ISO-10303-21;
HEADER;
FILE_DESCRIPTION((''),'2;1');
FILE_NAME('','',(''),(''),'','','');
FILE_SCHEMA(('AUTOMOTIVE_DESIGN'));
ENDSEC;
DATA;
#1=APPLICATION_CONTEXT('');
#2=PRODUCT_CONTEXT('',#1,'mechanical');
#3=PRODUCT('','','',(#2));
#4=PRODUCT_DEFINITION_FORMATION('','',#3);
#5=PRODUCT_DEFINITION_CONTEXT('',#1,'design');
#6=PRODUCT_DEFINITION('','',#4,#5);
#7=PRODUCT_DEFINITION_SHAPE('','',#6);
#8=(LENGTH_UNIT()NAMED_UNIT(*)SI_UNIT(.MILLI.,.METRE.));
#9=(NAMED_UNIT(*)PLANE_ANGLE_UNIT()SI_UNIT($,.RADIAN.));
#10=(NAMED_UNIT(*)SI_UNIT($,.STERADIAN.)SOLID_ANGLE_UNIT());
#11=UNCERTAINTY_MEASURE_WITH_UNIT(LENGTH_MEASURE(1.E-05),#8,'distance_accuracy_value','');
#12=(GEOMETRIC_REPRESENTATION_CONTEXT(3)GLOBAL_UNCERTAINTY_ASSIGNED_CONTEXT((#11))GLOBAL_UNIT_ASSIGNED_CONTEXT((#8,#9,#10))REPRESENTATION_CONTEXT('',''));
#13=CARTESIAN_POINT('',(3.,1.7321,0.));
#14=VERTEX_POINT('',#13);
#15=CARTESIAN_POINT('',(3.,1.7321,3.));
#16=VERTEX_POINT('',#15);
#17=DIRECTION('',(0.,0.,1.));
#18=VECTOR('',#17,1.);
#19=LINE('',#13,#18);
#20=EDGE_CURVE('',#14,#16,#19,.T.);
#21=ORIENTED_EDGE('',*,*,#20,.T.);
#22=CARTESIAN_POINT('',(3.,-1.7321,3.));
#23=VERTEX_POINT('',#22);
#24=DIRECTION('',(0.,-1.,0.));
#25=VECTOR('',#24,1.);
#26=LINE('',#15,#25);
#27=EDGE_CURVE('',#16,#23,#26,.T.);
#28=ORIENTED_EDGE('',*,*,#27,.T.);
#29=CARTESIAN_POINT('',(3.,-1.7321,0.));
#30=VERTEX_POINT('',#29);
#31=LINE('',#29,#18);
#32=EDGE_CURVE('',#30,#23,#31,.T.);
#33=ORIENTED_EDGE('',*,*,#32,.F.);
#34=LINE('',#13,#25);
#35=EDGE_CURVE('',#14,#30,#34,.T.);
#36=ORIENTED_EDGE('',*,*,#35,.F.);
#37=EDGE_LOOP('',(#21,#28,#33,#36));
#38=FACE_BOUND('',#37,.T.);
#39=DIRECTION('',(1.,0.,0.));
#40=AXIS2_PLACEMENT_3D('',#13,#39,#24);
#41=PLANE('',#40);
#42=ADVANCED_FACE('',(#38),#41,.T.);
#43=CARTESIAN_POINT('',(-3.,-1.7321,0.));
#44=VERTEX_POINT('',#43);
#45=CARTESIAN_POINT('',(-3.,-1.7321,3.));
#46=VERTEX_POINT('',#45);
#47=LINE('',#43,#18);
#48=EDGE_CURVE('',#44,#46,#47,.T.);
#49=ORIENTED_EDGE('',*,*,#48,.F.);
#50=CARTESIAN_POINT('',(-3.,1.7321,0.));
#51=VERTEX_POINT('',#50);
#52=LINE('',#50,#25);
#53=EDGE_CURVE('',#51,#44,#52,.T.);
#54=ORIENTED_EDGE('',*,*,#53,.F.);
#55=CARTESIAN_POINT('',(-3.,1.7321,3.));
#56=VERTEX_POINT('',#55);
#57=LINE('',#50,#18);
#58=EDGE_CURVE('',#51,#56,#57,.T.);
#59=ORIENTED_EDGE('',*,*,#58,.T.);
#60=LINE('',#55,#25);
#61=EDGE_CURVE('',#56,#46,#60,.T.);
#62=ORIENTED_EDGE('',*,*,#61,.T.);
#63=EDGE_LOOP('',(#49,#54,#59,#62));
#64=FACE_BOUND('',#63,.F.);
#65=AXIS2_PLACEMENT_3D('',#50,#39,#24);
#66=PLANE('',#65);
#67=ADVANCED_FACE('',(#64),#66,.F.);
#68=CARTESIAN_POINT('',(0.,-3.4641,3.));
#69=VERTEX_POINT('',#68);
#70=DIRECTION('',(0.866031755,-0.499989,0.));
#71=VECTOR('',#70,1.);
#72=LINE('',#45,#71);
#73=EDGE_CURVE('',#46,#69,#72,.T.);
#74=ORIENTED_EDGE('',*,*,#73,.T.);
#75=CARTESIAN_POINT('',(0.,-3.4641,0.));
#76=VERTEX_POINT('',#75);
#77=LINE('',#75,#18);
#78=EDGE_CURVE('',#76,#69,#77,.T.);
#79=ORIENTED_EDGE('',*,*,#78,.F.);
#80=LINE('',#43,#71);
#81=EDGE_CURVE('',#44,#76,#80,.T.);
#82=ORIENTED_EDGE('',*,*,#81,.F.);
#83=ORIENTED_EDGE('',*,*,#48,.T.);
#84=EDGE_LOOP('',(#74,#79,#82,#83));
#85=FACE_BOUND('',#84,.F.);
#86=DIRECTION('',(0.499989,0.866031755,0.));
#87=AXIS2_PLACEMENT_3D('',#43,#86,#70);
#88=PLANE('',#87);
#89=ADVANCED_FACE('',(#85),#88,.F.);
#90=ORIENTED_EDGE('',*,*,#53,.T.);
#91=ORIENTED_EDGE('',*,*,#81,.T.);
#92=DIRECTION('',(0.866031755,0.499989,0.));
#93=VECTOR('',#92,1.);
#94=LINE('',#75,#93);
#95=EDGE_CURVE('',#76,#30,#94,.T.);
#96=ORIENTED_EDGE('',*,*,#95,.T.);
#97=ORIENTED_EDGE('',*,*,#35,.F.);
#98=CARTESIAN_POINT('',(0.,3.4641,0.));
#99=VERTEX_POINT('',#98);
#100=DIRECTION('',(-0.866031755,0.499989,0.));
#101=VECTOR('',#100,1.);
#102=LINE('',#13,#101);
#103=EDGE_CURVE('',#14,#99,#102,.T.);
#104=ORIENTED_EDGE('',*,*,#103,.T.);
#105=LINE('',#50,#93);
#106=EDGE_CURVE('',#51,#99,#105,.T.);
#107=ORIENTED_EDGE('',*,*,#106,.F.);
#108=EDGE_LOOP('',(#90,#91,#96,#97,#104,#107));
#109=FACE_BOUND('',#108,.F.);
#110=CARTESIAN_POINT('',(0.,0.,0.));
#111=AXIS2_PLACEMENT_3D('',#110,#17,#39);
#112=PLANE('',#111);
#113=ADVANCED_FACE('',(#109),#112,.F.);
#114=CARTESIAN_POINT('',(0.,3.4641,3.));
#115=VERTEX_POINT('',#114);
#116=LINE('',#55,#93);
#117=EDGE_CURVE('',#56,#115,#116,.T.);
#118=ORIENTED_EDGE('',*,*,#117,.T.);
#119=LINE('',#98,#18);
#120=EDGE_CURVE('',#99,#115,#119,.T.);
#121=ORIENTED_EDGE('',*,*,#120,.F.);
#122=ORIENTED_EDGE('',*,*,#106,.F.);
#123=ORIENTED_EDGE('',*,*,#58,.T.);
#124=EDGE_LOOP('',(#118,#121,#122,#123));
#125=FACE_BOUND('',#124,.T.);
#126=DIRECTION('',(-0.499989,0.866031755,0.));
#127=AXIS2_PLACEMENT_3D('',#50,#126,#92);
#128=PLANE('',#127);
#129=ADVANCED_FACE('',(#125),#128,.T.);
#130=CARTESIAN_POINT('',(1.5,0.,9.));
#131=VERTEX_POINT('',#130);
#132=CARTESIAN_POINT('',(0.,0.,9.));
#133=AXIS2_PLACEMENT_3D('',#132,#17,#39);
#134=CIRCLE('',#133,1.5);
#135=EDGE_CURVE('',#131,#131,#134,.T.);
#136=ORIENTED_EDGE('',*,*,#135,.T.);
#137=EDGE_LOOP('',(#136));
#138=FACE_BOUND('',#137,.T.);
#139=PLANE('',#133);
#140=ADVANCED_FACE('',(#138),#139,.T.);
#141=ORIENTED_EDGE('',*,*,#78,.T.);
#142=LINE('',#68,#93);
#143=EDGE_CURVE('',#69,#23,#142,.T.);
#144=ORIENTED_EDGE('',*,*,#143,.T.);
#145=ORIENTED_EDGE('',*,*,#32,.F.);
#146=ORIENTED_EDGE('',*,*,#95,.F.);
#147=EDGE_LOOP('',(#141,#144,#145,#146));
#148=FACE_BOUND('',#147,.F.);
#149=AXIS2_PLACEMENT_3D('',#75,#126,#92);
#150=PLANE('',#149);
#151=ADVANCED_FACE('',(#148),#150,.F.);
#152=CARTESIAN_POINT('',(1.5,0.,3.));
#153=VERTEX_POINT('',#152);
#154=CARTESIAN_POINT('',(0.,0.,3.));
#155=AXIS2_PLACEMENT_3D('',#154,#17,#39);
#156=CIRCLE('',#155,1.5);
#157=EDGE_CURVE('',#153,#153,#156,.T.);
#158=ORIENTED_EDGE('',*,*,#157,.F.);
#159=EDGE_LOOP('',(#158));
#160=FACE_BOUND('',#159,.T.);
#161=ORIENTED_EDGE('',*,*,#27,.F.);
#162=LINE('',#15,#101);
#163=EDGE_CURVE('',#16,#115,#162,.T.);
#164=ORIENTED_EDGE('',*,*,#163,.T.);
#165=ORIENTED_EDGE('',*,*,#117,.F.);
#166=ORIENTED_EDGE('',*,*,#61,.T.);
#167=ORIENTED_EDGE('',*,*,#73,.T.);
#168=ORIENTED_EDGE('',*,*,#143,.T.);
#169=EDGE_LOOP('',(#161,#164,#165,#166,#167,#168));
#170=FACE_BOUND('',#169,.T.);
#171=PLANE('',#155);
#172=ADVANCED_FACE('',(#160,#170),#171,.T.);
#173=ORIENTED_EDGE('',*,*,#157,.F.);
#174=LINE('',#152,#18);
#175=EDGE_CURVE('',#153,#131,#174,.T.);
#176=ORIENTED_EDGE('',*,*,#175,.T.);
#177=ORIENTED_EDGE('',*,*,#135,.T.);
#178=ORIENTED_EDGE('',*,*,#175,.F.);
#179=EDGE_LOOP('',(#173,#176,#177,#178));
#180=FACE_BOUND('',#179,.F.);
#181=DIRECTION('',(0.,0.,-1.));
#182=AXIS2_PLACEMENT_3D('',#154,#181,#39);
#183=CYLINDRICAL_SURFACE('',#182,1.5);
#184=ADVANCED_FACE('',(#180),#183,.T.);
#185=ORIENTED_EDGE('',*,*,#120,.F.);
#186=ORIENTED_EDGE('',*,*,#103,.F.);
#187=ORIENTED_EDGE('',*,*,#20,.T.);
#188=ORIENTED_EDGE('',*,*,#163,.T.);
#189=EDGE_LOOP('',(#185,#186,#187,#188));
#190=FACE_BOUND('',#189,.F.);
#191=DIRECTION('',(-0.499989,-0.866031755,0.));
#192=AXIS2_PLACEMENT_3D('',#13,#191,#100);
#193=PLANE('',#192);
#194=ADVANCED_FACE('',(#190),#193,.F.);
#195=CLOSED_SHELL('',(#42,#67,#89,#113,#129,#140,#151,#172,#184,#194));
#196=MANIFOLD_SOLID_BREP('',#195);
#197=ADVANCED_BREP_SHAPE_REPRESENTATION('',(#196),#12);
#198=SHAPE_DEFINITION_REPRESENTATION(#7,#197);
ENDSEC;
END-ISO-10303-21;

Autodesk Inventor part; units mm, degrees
ref_plane "YZ Plane" through (0, 0, 0) normal (1, 0, 0) x (0, 1, 0)
ref_plane "XZ Plane" through (0, 0, 0) normal (0, 1, 0) x (-1, 0, 0)
ref_plane "XY Plane" through (0, 0, 0) normal (0, 0, 1) x (1, 0, 0)
sketch "Sketch1" plane through (0, 0, 0) normal (0, 0, 1) x (1, 0, 0)
  line L0 (3, 1.7321) -> (3, -1.7321)
  line L1 (3, 1.7321) -> (0, 3.4641)
  line L2 (-3, 1.7321) -> (0, 3.4641)
  line L3 (0, -3.4641) -> (3, -1.7321)
  line L4 (-3, 1.7321) -> (-3, -1.7321)
  line L5 (-3, -1.7321) -> (0, -3.4641)
  point P0 (0, 0)
  point P1 (0, 0)
  point P2 (0, 0)
  point P3 (0, 0)
  point P4 (0, 0)
  point P5 (0, 0)
  dimension "d0" = 120
  dimension "d1" = 120
  dimension "d2" = 120
  dimension "d3" = 120
  dimension "d4" = 120
  dimension "d5" = 120
  dimension "d6" = 6
  dimension "d7" = 3
  dimension "d18" = 0
  dimension "d19" = 0
  dimension "d20" = 0
extrude "Extrusion1" add sketch "Sketch1" along normal blind 3
sketch "Sketch2" plane through (0, 0, 3) normal (0, 0, 1) x (1, 0, 0)
  circle A0 centre (0, 0) radius 1.5
  dimension "d10" = 3
extrude "Extrusion2" add sketch "Sketch2" along normal blind 6
thread "Thread2" size "M3x0.5" class "6g" standard "ANSI Metric M Profile" full length
properties part number "m3 bolt" material "Steel, Mild"
